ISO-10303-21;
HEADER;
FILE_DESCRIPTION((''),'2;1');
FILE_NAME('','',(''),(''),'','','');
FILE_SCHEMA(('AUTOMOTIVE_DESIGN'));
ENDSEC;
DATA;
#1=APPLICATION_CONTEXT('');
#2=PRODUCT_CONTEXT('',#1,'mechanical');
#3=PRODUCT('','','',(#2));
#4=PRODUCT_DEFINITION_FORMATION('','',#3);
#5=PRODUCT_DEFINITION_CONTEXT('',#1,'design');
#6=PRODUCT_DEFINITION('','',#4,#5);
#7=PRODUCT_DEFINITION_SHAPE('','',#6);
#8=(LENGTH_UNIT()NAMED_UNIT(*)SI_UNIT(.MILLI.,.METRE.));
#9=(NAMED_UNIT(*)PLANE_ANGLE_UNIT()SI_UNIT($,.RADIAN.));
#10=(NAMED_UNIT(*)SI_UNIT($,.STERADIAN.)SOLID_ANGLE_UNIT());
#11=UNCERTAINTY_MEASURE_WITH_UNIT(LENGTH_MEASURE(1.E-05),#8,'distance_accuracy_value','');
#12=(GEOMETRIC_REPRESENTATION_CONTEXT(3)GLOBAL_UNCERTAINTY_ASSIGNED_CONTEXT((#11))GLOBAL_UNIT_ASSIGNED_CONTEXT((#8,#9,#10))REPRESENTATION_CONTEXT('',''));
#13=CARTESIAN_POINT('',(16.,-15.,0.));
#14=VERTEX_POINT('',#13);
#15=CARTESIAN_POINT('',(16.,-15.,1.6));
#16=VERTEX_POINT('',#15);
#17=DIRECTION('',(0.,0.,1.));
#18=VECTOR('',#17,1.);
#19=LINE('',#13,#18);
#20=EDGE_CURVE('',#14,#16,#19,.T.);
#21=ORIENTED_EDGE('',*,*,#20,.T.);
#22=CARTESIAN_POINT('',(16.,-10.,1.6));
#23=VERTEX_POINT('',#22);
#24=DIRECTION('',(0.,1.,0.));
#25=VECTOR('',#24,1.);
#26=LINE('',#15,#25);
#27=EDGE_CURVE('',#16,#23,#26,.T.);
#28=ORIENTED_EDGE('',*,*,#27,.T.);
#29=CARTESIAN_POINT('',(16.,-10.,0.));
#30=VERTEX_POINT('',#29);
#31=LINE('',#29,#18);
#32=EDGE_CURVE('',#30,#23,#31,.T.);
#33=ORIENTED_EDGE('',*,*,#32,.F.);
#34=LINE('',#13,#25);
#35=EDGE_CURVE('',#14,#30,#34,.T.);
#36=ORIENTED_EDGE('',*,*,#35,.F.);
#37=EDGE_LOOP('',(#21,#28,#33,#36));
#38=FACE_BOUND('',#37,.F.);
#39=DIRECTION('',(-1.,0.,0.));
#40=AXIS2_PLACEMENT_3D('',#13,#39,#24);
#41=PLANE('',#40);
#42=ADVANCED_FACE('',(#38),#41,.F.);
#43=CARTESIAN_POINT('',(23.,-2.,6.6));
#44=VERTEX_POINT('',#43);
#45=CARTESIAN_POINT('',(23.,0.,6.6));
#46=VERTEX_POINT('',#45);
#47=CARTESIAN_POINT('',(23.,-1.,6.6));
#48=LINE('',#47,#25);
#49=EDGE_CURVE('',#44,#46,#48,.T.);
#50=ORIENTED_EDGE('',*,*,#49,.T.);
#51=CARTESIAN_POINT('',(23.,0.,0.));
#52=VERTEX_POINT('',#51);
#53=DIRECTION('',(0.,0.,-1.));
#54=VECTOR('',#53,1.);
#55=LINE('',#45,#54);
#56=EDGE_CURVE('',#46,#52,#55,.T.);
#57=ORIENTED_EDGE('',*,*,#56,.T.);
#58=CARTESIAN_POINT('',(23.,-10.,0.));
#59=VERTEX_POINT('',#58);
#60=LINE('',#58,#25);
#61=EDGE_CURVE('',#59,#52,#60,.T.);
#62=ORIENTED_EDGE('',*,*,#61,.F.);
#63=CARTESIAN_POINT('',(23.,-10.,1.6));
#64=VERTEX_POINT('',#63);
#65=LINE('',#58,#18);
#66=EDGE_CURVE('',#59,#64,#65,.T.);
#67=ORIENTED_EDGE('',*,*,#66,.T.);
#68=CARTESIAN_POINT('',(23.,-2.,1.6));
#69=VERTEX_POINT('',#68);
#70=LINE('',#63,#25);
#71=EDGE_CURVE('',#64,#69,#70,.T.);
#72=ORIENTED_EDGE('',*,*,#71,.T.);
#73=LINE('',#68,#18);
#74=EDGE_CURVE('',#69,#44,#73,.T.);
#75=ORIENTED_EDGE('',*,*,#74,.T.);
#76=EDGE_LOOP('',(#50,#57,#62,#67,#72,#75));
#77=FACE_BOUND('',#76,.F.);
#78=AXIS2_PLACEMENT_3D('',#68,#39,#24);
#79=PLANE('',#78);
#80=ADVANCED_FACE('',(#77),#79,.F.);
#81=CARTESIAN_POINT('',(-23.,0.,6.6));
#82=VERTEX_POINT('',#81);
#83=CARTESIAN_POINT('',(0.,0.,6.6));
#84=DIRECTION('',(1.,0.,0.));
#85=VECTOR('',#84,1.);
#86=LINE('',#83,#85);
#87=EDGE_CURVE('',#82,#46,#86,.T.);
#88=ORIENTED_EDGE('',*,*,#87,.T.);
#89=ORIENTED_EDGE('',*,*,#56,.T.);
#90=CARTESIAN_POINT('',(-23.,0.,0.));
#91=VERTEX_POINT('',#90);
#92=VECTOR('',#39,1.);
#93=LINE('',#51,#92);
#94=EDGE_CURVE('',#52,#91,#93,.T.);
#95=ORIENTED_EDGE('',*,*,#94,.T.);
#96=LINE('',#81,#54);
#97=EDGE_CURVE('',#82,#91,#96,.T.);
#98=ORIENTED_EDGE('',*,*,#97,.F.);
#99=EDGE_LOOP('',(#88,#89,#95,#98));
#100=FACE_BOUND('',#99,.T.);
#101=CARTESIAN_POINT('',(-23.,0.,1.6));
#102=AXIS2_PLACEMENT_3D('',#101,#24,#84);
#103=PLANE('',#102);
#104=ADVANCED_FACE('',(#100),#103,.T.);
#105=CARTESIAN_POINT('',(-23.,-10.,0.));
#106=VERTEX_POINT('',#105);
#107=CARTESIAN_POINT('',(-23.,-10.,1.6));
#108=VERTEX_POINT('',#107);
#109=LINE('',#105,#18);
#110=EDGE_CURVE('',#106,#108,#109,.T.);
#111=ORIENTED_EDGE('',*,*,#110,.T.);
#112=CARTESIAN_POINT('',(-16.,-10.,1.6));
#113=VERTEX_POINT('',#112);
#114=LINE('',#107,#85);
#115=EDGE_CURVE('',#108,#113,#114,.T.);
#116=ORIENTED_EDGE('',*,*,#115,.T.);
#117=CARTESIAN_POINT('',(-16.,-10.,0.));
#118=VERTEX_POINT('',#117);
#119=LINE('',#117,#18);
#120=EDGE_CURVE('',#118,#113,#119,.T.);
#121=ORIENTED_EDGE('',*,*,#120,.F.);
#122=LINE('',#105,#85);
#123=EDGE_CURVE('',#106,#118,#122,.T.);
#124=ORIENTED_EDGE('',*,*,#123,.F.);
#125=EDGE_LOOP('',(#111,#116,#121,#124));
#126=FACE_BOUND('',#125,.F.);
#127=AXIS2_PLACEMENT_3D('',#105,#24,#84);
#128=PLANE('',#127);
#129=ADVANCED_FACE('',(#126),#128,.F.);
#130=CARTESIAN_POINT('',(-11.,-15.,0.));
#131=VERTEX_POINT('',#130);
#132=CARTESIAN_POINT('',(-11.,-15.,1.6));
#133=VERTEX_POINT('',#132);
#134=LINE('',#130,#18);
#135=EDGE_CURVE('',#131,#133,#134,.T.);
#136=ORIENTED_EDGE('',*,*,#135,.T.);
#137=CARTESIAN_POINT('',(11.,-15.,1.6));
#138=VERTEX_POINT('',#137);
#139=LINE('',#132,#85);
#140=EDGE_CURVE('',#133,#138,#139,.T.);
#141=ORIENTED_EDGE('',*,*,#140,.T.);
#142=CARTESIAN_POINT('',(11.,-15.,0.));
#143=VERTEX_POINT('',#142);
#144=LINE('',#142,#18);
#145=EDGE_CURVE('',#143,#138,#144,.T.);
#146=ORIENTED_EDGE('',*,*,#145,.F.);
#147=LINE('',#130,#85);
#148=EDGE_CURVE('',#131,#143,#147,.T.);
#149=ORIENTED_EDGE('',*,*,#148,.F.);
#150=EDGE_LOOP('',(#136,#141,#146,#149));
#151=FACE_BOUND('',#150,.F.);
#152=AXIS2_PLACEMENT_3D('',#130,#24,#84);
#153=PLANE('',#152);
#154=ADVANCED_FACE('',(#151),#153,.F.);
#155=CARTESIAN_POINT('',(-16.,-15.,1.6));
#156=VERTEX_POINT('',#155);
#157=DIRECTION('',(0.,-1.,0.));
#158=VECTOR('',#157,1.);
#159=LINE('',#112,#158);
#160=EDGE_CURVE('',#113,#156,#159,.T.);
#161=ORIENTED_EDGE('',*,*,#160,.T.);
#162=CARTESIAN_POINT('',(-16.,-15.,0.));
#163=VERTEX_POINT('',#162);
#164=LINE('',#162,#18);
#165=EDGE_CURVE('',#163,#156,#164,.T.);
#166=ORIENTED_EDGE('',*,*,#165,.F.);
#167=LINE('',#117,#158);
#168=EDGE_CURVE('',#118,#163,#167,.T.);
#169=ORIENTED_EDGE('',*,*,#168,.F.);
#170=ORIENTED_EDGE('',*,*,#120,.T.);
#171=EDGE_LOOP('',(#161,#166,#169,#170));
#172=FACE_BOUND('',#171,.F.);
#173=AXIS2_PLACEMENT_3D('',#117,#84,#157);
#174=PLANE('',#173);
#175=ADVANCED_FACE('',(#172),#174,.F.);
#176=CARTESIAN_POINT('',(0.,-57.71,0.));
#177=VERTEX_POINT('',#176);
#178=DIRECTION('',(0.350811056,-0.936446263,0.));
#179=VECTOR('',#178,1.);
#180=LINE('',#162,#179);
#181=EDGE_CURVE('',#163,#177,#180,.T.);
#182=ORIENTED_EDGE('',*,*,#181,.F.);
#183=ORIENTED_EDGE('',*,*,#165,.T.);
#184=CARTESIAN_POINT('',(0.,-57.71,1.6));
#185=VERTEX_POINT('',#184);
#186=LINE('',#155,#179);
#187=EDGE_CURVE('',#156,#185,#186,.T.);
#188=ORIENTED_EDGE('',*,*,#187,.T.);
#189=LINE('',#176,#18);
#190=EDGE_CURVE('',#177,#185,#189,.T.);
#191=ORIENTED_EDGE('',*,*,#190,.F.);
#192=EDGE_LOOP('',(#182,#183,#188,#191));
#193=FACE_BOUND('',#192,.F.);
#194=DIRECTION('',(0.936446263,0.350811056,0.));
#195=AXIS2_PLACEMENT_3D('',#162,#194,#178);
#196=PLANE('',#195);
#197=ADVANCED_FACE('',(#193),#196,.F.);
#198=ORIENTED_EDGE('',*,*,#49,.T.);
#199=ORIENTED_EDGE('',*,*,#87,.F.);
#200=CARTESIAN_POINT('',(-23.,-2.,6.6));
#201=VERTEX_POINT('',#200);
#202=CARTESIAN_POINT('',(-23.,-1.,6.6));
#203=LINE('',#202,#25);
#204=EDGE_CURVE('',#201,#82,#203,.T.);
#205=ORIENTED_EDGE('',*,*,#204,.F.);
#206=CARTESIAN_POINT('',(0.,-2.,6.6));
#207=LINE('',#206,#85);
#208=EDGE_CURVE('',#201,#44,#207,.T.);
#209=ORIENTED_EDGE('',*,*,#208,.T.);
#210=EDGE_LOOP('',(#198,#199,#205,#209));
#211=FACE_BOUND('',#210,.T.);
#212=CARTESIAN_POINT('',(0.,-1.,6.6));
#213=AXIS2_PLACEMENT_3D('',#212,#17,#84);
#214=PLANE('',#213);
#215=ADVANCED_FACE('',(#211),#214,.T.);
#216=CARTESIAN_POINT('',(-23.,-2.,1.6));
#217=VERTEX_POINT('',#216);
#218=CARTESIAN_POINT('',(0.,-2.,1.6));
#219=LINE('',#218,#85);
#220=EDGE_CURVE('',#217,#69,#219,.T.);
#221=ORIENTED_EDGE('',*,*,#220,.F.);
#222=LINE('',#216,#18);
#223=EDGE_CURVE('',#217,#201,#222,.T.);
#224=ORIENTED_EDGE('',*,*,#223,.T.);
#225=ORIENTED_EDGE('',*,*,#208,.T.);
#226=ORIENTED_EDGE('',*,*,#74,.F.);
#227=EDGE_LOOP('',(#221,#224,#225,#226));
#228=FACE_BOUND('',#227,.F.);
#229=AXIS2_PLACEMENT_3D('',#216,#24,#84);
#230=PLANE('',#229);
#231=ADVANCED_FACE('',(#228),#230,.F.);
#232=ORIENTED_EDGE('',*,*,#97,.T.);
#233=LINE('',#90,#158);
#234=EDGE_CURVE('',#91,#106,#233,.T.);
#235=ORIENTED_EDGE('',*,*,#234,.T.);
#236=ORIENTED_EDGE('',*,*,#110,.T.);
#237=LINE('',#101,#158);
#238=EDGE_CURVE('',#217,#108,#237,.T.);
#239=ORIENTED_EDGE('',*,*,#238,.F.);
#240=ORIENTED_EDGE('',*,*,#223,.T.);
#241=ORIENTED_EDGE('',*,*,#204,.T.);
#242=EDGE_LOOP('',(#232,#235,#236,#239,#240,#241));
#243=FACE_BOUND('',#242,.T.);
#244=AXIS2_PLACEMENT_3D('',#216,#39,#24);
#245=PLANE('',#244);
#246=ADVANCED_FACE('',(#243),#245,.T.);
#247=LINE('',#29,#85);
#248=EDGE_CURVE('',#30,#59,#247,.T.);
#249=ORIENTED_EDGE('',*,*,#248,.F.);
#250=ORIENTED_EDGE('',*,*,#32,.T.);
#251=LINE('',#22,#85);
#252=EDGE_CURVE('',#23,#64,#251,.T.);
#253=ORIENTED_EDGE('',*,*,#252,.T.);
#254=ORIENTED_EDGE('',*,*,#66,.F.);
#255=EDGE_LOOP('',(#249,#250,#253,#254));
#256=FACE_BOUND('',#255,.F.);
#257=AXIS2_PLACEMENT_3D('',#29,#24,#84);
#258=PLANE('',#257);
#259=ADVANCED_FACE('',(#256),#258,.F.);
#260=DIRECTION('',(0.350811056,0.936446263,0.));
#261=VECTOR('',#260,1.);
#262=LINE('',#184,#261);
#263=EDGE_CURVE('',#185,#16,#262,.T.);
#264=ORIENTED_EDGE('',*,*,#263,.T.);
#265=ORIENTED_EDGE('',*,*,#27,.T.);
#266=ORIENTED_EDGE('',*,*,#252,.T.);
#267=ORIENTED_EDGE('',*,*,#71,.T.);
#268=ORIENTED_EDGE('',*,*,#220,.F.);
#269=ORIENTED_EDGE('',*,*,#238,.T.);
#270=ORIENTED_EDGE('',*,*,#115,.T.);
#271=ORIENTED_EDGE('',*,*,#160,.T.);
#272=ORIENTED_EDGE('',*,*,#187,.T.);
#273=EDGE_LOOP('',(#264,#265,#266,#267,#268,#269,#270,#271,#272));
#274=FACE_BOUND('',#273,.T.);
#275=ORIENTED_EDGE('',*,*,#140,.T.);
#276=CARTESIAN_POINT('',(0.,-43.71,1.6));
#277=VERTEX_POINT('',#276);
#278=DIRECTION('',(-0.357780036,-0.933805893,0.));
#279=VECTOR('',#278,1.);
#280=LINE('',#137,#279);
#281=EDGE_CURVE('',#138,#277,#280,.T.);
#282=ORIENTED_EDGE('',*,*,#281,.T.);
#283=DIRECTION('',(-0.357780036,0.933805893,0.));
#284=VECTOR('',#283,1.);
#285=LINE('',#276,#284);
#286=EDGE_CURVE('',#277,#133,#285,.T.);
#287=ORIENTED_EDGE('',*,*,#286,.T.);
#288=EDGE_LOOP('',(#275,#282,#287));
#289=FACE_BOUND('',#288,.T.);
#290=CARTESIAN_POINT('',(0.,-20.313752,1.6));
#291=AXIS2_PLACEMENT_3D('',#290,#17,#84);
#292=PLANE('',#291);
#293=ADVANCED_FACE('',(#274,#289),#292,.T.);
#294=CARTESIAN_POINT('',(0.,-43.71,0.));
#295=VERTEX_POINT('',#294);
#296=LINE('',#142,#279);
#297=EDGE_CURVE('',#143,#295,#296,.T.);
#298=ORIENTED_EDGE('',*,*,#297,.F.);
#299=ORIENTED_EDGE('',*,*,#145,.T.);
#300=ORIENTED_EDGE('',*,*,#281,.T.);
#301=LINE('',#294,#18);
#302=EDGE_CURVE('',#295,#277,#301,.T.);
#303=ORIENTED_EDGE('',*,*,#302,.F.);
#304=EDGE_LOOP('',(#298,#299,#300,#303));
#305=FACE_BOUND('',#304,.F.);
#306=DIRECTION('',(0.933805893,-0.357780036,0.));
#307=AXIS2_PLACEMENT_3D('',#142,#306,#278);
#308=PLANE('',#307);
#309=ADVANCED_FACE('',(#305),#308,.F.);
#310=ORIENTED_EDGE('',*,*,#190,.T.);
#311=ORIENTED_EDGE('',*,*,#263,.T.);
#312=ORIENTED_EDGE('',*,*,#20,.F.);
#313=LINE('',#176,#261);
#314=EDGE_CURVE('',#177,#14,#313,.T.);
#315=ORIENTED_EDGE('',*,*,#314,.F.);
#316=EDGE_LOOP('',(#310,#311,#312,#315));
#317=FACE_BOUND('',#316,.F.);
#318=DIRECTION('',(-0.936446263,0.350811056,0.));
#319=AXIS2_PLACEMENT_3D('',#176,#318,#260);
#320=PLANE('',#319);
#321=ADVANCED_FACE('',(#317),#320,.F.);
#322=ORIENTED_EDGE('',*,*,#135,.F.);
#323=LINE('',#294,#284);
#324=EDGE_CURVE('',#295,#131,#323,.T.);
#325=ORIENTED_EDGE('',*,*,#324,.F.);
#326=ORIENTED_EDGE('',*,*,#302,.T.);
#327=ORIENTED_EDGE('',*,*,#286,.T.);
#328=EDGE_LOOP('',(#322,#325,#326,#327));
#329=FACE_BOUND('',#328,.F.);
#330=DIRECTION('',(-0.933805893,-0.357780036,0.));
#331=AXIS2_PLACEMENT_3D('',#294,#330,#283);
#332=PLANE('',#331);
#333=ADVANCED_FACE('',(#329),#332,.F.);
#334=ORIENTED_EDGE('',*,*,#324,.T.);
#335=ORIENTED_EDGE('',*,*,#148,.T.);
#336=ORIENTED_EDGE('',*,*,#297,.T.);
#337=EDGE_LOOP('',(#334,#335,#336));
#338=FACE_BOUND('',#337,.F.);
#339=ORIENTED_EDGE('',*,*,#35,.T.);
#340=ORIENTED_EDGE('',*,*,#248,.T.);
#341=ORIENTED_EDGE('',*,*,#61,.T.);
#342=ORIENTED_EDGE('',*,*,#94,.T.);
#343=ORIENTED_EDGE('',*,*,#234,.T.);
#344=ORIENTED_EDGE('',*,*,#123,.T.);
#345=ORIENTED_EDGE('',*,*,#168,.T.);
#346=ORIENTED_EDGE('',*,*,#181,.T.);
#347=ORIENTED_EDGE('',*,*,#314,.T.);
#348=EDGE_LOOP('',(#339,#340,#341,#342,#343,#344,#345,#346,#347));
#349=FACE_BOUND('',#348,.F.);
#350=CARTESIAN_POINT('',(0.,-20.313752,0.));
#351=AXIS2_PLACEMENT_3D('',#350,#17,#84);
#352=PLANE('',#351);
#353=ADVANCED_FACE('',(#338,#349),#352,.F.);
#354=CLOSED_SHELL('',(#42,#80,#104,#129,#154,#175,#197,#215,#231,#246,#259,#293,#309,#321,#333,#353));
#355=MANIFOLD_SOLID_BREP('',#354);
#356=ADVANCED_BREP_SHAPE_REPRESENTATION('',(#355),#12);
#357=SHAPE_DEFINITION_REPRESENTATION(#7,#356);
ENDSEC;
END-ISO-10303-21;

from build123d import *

# Parameters (mm, degrees)
F1_DEPTH = 1.6
F2_W     = 46
F2_H     = 2
F3_DEPTH = 5


with BuildPart() as f1:
    # F0 (on Top) → F1 (new body)
    with BuildSketch(Plane.XY):
        Polygon((23, 0), (0, 0), (-23, 0), (-23, -10), (-16, -10), (-16, -15), (0, -57.71), (16, -15), (16, -10), (23, -10), align=None)
        Polygon((0, -43.71), (-11, -15), (0, -15), (11, -15), align=None, mode=Mode.SUBTRACT)
    extrude(amount=F1_DEPTH)

    # F2 (on face) → F3 (join)
    with BuildSketch(Plane.XY.offset(1.6)):
        with Locations((0, -1)):
            Rectangle(F2_W, F2_H)
    extrude(amount=F3_DEPTH)


solid = f1.part
